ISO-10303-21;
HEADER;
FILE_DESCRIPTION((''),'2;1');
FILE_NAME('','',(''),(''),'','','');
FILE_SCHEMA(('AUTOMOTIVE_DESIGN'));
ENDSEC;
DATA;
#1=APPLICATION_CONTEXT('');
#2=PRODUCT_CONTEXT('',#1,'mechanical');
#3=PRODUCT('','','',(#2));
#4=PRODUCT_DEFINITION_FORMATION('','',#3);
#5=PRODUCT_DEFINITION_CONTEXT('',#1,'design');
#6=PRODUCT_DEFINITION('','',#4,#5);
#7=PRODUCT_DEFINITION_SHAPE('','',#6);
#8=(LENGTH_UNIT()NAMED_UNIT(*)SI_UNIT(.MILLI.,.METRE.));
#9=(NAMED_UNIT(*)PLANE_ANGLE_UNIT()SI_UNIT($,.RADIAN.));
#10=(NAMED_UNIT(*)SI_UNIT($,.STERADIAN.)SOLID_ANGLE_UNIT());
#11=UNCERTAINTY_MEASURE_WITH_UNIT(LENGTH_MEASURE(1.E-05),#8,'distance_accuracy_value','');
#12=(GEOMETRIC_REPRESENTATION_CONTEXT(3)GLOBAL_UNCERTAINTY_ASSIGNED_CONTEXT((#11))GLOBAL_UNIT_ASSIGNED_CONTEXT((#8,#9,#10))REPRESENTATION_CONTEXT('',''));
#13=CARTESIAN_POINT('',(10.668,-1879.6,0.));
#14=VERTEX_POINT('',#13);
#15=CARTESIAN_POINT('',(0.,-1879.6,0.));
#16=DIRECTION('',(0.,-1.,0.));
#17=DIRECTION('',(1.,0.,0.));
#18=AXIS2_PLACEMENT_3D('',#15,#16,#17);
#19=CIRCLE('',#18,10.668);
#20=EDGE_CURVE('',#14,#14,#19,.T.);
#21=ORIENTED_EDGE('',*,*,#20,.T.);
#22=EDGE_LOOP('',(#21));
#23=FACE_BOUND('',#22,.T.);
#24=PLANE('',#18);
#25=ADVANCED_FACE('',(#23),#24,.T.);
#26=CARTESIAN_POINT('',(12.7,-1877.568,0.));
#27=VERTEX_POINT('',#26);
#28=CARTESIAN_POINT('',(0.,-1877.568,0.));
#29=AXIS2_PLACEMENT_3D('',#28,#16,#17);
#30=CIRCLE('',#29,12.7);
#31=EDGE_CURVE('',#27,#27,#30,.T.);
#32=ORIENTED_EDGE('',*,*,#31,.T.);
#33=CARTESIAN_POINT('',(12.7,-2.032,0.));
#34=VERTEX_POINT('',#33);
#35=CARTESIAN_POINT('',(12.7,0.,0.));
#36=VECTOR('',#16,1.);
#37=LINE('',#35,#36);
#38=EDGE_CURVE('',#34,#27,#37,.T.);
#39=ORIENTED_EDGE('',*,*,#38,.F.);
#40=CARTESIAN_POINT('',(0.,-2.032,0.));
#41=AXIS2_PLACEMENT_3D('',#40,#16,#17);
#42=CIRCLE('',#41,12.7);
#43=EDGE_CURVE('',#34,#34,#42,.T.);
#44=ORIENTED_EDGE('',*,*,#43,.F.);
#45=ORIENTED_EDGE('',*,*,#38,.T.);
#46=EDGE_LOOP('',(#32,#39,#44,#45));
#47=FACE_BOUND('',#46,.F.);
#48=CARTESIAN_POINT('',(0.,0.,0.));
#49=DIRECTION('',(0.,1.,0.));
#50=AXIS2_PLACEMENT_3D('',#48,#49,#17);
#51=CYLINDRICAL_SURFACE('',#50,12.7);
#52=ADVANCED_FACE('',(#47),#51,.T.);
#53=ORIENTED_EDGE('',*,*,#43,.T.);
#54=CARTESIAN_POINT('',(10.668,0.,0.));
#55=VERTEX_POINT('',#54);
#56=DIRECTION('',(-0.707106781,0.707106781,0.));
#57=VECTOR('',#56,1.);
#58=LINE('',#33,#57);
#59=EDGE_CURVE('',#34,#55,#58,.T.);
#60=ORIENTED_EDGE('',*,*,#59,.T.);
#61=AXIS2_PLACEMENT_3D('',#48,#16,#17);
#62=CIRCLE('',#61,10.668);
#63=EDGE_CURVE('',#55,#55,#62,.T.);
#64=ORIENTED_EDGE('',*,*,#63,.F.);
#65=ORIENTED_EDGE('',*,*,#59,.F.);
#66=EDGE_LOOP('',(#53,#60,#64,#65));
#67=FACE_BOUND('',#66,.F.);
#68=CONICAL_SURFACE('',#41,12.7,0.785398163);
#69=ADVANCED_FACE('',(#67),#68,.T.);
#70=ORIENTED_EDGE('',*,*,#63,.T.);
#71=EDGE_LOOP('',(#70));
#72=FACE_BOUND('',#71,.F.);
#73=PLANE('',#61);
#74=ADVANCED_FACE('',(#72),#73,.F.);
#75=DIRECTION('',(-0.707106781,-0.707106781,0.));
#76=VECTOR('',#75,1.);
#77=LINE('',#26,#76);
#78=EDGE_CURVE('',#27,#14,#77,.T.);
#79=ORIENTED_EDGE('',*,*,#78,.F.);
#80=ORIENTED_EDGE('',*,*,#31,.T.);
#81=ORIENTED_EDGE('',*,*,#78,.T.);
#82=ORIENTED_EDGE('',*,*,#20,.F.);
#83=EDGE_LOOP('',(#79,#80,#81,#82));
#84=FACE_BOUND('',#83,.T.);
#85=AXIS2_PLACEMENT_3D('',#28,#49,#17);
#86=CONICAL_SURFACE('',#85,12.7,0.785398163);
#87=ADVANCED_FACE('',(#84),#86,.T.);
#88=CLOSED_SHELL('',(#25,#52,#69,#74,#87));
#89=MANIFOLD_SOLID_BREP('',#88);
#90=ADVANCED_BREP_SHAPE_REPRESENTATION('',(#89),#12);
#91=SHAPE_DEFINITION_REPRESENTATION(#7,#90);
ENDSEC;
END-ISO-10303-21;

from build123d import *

# Parameters (mm, degrees)
F0_R     = 12.7
F1_DEPTH = 1879.6
F2_SIZE2 = 2.032
F2_SIZE  = 2.032
F3_SIZE2 = 2.032
F3_SIZE  = 2.032


with BuildPart() as f1:
    # F0 (on Front) → F1 (new body)
    with BuildSketch(Plane.XZ):
        Circle(F0_R)
    extrude(amount=F1_DEPTH)

    # F2
    f2_edges = [f1.edges().sort_by_distance(p)[0] for p in [
        (-12.7, -1879.6, 0),
    ]]
    chamfer(f2_edges, length=F2_SIZE, length2=F2_SIZE2)

    # F3
    f3_edges = [f1.edges().sort_by_distance(p)[0] for p in [
        (-12.7, 0, 0),
    ]]
    chamfer(f3_edges, length=F3_SIZE, length2=F3_SIZE2)


solid = f1.part
